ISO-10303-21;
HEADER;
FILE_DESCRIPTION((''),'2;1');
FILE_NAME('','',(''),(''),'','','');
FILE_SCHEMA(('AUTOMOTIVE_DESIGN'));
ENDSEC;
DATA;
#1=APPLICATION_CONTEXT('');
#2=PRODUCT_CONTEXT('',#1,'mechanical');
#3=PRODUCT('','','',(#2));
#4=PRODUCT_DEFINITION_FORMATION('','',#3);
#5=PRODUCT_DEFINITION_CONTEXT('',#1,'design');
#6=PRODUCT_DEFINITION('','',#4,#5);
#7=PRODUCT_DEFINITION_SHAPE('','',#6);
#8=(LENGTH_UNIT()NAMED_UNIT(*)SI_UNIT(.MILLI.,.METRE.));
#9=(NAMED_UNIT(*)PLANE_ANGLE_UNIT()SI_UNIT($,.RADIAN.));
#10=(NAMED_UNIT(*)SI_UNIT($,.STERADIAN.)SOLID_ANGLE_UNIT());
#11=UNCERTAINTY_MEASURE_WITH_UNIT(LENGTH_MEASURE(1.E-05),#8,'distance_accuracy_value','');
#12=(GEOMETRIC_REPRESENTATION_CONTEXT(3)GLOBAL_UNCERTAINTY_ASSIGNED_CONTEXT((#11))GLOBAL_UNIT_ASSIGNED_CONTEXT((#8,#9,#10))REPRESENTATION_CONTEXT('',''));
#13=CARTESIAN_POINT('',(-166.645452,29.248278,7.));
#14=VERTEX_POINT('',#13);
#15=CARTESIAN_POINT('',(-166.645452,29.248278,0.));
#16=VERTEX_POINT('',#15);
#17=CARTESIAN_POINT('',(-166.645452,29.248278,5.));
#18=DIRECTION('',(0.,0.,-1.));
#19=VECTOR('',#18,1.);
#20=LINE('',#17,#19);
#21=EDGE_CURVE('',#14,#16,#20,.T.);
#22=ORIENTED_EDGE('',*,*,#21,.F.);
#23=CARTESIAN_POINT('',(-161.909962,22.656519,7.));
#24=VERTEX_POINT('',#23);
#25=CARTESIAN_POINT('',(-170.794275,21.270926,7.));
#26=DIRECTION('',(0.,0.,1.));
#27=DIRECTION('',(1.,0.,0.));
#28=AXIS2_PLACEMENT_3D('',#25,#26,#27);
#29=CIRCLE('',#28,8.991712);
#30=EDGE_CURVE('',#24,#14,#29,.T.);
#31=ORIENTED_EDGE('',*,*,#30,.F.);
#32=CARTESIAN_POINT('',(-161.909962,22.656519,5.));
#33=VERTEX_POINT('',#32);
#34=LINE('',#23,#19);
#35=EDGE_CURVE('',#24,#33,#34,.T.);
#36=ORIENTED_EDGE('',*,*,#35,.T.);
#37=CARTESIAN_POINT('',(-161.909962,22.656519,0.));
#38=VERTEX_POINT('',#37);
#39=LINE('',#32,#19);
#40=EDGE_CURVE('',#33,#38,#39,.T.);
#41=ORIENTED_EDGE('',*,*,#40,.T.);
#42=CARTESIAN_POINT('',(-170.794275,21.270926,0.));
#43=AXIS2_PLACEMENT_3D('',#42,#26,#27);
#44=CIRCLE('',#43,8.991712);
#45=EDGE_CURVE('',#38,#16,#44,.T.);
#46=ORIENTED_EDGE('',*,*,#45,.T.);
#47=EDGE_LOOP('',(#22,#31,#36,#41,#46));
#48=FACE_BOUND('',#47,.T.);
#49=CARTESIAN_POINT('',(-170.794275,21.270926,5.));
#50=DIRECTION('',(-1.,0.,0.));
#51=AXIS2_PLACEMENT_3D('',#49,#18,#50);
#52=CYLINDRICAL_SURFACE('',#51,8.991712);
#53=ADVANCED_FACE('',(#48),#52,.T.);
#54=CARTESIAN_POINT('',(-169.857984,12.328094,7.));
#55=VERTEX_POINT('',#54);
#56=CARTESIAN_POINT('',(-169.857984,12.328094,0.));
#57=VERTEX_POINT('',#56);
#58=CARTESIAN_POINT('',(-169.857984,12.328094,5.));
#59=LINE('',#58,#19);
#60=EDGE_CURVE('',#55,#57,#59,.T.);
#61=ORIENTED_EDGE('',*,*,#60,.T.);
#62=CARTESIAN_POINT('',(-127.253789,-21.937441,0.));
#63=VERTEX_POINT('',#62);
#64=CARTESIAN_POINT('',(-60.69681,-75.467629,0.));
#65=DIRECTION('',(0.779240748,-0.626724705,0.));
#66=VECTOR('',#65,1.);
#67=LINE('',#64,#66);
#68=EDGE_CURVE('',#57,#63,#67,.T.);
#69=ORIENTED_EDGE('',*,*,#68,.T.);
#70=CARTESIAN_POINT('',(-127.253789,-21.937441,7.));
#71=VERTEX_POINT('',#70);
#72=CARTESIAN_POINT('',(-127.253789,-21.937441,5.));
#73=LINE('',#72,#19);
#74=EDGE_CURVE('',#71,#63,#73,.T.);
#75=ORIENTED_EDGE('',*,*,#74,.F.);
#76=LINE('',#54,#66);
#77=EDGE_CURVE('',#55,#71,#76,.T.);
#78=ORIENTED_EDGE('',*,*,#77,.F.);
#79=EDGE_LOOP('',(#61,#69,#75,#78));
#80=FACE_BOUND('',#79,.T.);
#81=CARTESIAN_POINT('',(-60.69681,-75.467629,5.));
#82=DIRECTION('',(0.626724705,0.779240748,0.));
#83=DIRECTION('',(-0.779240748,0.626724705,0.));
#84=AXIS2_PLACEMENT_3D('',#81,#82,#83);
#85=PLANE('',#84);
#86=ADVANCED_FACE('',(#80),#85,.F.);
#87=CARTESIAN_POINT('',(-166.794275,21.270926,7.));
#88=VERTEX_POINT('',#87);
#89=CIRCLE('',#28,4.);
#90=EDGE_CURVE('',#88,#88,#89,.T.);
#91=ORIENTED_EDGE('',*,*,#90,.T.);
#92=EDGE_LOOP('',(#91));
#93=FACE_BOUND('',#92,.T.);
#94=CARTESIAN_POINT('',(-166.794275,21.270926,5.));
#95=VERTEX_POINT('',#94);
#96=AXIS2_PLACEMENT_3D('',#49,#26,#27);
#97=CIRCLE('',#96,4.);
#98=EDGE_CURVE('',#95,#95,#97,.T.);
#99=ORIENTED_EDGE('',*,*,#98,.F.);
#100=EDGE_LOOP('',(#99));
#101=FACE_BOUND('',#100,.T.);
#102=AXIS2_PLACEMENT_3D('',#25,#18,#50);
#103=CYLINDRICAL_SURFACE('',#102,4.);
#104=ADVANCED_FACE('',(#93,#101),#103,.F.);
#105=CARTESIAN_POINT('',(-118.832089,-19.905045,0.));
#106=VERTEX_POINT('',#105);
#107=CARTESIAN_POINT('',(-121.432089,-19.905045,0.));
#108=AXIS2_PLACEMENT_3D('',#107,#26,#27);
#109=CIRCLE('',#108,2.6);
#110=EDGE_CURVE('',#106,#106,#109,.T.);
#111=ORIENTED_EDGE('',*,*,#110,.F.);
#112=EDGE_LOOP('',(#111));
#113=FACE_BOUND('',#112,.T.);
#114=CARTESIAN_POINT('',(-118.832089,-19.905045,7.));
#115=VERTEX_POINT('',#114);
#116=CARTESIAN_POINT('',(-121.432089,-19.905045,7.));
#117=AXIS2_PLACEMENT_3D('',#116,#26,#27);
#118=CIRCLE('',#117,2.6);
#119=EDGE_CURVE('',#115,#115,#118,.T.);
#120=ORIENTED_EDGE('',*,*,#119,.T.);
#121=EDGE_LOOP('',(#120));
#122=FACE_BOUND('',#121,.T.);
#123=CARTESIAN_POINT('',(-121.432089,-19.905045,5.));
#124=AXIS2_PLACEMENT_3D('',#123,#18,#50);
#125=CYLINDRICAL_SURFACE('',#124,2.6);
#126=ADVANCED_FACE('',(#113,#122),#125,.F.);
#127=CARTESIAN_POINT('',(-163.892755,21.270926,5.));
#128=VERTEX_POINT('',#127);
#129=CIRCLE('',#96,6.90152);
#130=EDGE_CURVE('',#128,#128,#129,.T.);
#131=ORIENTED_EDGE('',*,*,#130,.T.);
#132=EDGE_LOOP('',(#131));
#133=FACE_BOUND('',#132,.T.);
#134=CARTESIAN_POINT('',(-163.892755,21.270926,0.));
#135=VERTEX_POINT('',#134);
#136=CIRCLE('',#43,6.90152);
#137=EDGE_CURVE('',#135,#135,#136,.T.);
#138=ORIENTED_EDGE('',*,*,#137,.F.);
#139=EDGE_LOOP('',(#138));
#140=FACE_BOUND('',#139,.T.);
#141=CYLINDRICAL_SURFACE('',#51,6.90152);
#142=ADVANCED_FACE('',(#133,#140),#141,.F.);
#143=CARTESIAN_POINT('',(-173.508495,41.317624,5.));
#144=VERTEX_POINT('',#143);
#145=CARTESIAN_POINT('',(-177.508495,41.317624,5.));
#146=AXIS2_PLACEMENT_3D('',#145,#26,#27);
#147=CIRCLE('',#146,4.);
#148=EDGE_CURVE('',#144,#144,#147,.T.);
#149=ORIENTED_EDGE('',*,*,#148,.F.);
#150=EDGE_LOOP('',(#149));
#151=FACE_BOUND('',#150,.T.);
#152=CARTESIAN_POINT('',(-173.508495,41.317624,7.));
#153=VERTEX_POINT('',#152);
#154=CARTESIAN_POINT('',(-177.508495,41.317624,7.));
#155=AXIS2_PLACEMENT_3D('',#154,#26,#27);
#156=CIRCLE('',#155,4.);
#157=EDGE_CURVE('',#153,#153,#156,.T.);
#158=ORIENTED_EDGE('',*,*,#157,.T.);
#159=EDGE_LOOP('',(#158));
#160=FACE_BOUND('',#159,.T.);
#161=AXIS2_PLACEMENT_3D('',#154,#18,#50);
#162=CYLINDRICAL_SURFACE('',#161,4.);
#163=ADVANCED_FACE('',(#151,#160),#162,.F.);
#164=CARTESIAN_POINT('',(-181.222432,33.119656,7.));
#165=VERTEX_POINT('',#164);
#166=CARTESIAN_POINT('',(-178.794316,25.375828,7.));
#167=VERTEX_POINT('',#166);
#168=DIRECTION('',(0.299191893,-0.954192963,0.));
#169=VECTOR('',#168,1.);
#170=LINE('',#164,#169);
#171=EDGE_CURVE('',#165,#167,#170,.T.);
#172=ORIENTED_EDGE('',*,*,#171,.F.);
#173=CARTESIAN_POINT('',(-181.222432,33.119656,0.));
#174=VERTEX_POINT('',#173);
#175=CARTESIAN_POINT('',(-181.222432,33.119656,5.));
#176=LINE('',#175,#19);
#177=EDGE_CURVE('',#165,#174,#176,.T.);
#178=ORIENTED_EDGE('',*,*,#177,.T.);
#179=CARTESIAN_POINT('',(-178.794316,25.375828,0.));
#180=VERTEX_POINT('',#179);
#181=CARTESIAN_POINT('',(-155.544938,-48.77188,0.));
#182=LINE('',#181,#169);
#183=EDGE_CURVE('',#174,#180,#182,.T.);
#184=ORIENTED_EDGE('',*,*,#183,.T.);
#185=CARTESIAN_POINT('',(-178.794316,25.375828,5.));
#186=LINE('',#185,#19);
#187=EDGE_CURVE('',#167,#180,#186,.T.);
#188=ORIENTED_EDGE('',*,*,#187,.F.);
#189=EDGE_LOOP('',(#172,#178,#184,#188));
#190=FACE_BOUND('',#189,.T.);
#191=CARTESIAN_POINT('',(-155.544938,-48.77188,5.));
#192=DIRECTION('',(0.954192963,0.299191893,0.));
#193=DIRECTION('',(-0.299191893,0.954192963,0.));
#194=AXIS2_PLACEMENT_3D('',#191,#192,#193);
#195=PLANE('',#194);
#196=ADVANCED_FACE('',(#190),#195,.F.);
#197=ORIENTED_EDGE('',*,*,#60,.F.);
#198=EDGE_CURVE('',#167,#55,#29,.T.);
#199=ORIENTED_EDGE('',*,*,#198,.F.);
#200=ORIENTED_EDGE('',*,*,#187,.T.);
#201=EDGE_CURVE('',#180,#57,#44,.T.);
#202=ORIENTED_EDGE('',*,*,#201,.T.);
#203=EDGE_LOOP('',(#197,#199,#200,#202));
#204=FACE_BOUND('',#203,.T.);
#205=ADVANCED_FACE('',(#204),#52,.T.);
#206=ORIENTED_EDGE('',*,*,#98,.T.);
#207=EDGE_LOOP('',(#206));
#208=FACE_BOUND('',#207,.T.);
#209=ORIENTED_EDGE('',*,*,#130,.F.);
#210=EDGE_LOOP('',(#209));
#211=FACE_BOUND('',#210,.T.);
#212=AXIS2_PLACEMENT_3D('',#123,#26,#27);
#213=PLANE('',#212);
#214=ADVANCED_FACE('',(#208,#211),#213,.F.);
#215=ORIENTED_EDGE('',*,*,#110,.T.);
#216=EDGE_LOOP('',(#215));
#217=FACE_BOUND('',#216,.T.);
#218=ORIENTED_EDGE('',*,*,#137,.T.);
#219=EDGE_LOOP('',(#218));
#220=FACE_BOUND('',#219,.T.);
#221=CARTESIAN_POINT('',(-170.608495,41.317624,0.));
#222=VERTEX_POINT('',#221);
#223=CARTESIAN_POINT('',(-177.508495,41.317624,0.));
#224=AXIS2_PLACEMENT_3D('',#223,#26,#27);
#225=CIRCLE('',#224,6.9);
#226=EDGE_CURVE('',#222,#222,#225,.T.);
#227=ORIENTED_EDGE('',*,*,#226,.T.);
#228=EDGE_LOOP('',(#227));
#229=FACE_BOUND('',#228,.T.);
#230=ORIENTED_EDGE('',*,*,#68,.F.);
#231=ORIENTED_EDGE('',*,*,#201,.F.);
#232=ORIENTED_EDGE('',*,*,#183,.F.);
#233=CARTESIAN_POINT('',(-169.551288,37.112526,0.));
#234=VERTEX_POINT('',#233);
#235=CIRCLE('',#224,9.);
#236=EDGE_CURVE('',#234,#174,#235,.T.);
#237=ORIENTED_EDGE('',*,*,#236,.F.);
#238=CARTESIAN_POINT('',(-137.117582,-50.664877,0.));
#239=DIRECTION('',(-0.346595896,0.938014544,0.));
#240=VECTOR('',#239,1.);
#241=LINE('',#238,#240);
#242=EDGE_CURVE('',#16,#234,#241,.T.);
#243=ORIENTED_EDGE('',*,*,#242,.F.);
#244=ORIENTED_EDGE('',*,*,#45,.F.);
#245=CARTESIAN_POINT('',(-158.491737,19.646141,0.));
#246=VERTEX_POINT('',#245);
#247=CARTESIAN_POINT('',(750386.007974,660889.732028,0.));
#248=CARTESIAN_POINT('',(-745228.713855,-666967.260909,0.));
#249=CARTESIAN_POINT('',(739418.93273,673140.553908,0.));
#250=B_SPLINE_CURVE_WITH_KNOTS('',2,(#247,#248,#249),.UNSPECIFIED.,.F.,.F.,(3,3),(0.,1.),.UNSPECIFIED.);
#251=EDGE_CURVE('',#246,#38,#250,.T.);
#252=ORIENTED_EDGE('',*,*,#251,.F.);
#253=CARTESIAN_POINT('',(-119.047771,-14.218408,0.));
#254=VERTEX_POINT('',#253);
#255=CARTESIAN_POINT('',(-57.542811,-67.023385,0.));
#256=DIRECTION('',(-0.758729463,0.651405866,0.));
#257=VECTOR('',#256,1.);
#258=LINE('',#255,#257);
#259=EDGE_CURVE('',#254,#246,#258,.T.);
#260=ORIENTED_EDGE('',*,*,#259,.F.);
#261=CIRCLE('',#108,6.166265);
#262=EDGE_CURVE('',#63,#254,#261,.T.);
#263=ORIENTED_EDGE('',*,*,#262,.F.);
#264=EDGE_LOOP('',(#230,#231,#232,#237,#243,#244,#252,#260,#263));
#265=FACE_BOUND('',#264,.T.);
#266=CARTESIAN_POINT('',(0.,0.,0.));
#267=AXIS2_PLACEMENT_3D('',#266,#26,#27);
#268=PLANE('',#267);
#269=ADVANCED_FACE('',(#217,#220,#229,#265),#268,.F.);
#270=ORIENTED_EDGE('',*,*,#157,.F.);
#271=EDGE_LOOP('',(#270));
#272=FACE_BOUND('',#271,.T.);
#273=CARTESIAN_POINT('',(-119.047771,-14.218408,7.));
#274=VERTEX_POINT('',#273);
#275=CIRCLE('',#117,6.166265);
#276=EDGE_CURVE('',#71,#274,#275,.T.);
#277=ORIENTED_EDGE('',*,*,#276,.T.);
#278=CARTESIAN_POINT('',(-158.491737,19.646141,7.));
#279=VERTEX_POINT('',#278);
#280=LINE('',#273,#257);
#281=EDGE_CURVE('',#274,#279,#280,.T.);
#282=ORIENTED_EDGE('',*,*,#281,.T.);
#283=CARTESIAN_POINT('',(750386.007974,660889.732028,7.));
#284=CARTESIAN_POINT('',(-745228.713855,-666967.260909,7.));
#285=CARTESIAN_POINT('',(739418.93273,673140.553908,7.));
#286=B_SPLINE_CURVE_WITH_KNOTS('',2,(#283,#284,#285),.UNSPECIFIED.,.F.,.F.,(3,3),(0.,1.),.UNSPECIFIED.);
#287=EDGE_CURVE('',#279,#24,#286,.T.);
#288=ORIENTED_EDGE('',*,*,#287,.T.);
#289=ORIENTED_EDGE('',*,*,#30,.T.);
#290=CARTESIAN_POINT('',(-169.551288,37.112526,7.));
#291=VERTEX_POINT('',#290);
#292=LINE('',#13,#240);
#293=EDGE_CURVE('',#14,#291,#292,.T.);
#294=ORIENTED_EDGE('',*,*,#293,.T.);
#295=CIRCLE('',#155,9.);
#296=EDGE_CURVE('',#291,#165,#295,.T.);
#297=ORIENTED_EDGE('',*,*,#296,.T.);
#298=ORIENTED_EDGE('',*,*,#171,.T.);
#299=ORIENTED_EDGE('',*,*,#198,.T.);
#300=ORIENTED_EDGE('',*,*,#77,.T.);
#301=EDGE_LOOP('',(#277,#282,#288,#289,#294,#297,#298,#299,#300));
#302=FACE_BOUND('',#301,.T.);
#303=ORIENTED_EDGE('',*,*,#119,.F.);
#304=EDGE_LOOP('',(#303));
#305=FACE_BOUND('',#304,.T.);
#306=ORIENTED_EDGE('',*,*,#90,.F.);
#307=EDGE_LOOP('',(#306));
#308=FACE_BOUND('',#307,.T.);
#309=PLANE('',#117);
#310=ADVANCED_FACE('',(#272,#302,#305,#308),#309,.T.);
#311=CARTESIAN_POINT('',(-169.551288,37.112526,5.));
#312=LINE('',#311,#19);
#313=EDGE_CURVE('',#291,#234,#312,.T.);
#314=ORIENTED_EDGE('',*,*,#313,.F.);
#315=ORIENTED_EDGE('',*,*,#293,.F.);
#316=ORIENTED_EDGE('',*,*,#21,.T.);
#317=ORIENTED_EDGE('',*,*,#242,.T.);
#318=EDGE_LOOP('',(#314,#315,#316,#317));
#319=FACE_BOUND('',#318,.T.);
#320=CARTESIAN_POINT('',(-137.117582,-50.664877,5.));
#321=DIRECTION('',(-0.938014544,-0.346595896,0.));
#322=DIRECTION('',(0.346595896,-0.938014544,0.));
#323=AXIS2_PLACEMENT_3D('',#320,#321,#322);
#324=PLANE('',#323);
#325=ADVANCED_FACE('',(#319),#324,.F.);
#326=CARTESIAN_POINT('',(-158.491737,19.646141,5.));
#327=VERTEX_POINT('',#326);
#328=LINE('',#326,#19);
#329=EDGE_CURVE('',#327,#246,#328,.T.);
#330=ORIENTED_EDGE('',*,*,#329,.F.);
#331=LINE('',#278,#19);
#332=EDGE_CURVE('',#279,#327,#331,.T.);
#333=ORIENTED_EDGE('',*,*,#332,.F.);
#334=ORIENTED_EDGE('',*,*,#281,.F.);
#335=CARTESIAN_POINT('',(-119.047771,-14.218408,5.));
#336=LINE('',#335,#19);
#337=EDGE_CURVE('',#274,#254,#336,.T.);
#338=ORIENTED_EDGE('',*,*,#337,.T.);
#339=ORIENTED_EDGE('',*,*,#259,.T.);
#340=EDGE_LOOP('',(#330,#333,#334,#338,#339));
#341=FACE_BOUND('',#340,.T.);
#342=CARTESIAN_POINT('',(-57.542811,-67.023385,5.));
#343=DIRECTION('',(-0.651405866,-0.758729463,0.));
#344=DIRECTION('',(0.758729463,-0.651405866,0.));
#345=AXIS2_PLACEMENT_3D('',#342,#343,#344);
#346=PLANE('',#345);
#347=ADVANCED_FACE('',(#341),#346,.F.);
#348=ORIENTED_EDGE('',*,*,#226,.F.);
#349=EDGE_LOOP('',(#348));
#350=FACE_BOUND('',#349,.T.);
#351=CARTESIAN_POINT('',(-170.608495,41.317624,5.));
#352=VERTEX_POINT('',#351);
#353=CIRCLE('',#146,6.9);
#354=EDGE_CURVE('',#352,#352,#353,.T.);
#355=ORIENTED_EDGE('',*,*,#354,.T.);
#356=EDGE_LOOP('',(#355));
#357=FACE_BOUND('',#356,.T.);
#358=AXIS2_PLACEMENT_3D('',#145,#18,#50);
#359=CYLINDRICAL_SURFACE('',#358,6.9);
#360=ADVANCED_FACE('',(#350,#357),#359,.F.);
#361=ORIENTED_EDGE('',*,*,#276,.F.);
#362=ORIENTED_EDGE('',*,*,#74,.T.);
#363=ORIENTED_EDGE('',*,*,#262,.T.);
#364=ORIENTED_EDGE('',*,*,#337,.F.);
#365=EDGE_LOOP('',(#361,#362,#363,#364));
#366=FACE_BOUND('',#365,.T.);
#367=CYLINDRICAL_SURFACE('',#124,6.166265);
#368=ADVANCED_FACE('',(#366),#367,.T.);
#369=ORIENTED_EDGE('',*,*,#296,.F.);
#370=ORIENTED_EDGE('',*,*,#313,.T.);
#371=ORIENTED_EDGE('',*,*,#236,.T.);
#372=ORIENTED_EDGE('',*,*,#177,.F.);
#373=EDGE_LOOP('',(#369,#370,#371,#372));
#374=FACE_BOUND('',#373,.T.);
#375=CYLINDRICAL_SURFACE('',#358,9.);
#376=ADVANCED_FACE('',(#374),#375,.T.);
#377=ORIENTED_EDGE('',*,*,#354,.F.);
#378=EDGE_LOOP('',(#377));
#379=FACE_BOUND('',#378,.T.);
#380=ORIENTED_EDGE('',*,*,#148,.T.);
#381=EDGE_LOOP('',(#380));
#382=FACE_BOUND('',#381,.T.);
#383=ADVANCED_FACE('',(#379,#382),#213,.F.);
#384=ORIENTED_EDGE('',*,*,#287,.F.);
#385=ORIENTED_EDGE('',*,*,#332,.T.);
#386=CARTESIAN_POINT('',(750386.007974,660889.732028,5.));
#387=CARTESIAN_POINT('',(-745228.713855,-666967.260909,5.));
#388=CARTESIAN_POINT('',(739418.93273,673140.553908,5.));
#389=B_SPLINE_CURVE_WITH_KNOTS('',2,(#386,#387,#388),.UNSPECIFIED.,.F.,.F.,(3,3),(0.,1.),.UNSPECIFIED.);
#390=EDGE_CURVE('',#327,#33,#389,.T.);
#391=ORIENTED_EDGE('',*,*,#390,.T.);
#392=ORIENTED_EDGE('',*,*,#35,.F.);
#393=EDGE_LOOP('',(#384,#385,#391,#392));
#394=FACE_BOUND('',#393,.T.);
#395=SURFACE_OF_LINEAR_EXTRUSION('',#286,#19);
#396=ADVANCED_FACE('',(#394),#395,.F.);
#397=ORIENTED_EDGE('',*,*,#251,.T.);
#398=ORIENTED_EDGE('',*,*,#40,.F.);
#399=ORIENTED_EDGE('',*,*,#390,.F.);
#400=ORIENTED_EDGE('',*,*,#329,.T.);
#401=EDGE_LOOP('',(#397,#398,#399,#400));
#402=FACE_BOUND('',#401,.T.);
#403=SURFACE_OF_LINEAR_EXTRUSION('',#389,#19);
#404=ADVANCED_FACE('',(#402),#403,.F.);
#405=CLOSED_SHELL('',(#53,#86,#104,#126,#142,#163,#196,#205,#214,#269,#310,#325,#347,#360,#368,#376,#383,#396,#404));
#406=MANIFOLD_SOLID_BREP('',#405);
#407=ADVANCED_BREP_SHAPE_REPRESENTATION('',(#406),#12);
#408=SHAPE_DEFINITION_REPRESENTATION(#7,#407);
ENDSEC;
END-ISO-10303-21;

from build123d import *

# Parameters (mm, degrees)
SKETCH1_R           = 6.901519969
SKETCH1_R_2         = 6.9
SKETCH1_R_3         = 2.6
BOSS_EXTRUDE1_DEPTH = 5
SKETCH2_R           = 4
SKETCH2_R_2         = 2.6
BOSS_EXTRUDE2_DEPTH = 2


with BuildPart() as part:
    # Sketch1 → Boss-Extrude1 (new body)
    with BuildSketch(Plane.XY):
        with BuildLine():
            Line((-119.047770685, -14.21840763), (-158.491736924, 19.646141241))
            add(Edge.make_bspline(
                [(-158.491736924, 19.646141241), (-160.313597407, 21.050397122), (-161.909962094, 22.656519407)],
                knots=[0, 0, 0, 1, 1, 1], degree=2))
            ThreePointArc((-161.909962094, 22.656519407), (-163.491640093, 26.517106064), (-166.64545249, 29.248278339))
            Line((-166.64545249, 29.248278339), (-169.551288031, 37.112526103))
            ThreePointArc((-169.551288031, 37.112526103), (-180.421756419, 49.833075564), (-181.222431589, 33.119656379))
            Line((-181.222431589, 33.119656379), (-178.794316039, 25.37582765))
            ThreePointArc((-178.794316039, 25.37582765), (-178.212831269, 16.189990788), (-169.857983808, 12.328093938))
            Line((-169.857983808, 12.328093938), (-127.253789064, -21.937441374))
            ThreePointArc((-127.253789064, -21.937441374), (-117.207191003, -24.396487309), (-119.047770685, -14.21840763))
        make_face()
        with Locations((-170.794274728, 21.270925714)):
            Circle(SKETCH1_R, mode=Mode.SUBTRACT)
        with Locations((-177.508495403, 41.317624299)):
            Circle(SKETCH1_R_2, mode=Mode.SUBTRACT)
        with Locations((-121.432089481, -19.905045023)):
            Circle(SKETCH1_R_3, mode=Mode.SUBTRACT)
    extrude(amount=BOSS_EXTRUDE1_DEPTH)

    # Sketch2 → Boss-Extrude2 (add)
    with BuildSketch(Plane.XY.offset(5)):
        with BuildLine():
            Line((-119.047770685, -14.21840763), (-158.491736924, 19.646141241))
            add(Edge.make_bspline(
                [(-158.491736924, 19.646141241), (-160.313597387, 21.050397106), (-161.909962058, 22.656519371)],
                knots=[0, 0, 0, 1, 1, 1], degree=2))
            ThreePointArc((-161.909962058, 22.656519371), (-163.491640057, 26.517106064), (-166.64545249, 29.248278339))
            Line((-166.64545249, 29.248278339), (-169.551288031, 37.112526103))
            ThreePointArc((-169.551288031, 37.112526103), (-180.421756419, 49.833075564), (-181.222431589, 33.119656379))
            Line((-181.222431589, 33.119656379), (-178.794316039, 25.37582765))
            ThreePointArc((-178.794316039, 25.37582765), (-178.212831269, 16.189990788), (-169.857983808, 12.328093938))
            Line((-169.857983808, 12.328093938), (-127.253789064, -21.937441374))
            ThreePointArc((-127.253789064, -21.937441374), (-117.207191003, -24.396487309), (-119.047770685, -14.21840763))
        make_face()
        with Locations((-177.508495403, 41.317624299)):
            Circle(SKETCH2_R, mode=Mode.SUBTRACT)
        with Locations((-170.794274728, 21.270925714)):
            Circle(SKETCH2_R, mode=Mode.SUBTRACT)
        with Locations((-121.432089481, -19.905045023)):
            Circle(SKETCH2_R_2, mode=Mode.SUBTRACT)
    extrude(amount=BOSS_EXTRUDE2_DEPTH)


solid = part.part
